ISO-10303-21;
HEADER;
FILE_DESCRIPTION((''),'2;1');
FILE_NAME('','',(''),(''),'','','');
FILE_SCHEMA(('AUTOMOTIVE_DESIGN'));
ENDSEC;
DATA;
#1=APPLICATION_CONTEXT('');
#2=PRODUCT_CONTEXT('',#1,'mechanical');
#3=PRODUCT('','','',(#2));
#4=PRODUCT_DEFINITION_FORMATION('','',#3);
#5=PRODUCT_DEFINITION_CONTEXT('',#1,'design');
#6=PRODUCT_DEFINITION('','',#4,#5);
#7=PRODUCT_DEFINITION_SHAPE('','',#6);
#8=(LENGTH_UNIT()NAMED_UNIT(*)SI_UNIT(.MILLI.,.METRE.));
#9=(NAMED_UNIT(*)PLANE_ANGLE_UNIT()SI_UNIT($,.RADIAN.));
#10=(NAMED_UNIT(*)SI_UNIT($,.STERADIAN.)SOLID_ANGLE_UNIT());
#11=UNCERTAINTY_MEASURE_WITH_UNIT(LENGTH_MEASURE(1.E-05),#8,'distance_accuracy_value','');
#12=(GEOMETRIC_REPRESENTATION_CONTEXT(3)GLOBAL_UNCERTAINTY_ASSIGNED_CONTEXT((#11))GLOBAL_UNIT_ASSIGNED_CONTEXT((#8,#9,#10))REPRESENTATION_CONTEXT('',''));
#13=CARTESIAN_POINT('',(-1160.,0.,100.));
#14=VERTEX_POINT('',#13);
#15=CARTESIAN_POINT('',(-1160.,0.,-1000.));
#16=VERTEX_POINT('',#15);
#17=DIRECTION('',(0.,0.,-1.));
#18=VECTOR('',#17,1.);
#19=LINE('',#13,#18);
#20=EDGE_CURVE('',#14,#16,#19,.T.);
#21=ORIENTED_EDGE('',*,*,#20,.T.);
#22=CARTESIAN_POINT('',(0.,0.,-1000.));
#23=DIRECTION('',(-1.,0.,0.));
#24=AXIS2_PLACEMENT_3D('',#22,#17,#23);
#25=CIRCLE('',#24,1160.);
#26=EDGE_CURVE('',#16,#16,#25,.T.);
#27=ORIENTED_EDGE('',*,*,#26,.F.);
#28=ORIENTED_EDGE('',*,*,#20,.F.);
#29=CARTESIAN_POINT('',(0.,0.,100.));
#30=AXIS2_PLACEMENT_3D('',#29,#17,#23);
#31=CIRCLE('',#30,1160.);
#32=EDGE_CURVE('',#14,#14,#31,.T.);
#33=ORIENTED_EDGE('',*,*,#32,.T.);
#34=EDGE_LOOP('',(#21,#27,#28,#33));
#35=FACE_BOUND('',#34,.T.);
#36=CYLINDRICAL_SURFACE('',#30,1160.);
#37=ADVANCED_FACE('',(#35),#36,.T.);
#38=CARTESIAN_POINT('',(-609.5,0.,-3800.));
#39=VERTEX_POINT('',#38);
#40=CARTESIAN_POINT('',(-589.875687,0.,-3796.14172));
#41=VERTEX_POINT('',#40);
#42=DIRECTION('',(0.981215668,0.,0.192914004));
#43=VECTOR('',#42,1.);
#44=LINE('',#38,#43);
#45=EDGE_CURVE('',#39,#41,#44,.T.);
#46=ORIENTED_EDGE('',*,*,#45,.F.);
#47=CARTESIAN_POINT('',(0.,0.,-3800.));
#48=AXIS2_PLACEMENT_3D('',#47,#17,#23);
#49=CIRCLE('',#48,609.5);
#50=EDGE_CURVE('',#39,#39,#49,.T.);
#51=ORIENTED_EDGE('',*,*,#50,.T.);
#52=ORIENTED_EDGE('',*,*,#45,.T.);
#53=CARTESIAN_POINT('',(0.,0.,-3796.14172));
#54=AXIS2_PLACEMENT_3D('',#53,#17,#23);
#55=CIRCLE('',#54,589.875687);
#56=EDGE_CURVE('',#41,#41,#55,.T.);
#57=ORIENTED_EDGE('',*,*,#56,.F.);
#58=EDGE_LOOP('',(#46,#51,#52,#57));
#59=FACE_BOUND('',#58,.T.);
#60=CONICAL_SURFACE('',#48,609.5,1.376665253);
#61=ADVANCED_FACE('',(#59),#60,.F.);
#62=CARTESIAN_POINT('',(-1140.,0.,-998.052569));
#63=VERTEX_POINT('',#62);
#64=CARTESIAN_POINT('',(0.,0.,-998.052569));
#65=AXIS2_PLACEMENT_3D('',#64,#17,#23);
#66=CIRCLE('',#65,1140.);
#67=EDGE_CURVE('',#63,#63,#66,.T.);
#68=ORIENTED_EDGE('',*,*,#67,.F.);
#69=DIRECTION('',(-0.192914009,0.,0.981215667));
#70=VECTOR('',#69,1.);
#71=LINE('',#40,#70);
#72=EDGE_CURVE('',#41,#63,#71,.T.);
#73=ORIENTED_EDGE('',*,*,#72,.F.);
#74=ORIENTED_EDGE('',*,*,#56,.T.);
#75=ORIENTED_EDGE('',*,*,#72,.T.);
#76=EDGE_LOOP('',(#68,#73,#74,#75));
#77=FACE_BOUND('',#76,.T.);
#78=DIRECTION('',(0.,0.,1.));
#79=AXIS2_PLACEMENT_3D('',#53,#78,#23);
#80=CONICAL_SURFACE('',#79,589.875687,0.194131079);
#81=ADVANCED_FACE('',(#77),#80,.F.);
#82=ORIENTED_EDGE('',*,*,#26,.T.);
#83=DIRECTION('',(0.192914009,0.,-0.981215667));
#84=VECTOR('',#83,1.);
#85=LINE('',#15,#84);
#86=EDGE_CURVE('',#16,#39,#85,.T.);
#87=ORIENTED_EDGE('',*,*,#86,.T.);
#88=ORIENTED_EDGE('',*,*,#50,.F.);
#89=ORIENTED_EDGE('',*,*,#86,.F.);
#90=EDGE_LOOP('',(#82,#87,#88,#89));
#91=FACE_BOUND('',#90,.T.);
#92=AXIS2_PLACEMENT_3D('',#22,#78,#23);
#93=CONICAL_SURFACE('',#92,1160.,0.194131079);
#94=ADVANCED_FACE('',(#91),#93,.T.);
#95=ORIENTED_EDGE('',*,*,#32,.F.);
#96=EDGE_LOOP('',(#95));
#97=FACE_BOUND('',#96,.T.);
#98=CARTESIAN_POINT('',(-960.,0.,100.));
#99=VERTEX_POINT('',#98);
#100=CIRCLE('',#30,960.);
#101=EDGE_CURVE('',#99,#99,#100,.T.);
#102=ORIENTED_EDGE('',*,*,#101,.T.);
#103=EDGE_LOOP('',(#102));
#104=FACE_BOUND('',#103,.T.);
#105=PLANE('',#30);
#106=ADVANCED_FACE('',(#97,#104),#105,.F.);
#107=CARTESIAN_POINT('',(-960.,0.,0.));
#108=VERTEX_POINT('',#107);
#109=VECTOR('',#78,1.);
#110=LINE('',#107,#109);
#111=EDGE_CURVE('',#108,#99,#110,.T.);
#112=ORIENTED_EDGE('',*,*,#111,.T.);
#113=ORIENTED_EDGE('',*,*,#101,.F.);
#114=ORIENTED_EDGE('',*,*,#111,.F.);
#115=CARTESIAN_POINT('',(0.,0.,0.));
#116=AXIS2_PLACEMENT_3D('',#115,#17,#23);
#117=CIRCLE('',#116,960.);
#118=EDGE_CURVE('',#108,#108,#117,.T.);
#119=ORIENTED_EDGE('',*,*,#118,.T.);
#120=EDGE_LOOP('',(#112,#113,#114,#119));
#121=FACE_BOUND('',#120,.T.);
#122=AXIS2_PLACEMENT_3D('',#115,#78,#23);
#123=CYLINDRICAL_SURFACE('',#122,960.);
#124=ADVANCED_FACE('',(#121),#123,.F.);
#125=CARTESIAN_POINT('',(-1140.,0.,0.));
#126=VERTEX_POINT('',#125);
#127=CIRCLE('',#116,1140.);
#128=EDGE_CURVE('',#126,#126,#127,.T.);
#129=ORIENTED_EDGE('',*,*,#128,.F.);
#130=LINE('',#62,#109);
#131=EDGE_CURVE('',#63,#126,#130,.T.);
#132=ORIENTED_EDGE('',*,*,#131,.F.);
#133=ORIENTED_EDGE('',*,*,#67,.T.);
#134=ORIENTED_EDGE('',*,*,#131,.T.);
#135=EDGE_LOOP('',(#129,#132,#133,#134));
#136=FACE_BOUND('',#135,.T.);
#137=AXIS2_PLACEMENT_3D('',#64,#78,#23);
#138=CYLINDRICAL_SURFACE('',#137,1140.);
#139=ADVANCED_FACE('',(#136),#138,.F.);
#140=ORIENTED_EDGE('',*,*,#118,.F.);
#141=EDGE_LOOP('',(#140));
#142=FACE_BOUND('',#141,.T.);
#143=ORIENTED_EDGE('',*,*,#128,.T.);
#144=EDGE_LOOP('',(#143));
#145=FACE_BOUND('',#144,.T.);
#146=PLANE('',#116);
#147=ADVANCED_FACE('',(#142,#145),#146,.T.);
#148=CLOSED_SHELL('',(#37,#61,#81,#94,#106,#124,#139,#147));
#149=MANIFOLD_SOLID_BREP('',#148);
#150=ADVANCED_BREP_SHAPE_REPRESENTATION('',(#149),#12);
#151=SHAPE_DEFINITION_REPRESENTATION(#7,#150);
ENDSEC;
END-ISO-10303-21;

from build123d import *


with BuildPart() as f1:
    # F0 (on Front) → F1 (revolve)
    with BuildSketch(Plane.XZ):
        Polygon((-960, 100), (-1160, 100), (-1160, 0), (-1140, 0), (-960, 0), align=None)
        Polygon((-1140, 0), (-1160, 0), (-1160, -1000), (-609.5, -3800), (-589.875687, -3796.14172), (-1140, -998.052569), align=None)
    revolve(axis=Axis((0, 0, -205.782756), (0, 0, -1)))


solid = f1.part
